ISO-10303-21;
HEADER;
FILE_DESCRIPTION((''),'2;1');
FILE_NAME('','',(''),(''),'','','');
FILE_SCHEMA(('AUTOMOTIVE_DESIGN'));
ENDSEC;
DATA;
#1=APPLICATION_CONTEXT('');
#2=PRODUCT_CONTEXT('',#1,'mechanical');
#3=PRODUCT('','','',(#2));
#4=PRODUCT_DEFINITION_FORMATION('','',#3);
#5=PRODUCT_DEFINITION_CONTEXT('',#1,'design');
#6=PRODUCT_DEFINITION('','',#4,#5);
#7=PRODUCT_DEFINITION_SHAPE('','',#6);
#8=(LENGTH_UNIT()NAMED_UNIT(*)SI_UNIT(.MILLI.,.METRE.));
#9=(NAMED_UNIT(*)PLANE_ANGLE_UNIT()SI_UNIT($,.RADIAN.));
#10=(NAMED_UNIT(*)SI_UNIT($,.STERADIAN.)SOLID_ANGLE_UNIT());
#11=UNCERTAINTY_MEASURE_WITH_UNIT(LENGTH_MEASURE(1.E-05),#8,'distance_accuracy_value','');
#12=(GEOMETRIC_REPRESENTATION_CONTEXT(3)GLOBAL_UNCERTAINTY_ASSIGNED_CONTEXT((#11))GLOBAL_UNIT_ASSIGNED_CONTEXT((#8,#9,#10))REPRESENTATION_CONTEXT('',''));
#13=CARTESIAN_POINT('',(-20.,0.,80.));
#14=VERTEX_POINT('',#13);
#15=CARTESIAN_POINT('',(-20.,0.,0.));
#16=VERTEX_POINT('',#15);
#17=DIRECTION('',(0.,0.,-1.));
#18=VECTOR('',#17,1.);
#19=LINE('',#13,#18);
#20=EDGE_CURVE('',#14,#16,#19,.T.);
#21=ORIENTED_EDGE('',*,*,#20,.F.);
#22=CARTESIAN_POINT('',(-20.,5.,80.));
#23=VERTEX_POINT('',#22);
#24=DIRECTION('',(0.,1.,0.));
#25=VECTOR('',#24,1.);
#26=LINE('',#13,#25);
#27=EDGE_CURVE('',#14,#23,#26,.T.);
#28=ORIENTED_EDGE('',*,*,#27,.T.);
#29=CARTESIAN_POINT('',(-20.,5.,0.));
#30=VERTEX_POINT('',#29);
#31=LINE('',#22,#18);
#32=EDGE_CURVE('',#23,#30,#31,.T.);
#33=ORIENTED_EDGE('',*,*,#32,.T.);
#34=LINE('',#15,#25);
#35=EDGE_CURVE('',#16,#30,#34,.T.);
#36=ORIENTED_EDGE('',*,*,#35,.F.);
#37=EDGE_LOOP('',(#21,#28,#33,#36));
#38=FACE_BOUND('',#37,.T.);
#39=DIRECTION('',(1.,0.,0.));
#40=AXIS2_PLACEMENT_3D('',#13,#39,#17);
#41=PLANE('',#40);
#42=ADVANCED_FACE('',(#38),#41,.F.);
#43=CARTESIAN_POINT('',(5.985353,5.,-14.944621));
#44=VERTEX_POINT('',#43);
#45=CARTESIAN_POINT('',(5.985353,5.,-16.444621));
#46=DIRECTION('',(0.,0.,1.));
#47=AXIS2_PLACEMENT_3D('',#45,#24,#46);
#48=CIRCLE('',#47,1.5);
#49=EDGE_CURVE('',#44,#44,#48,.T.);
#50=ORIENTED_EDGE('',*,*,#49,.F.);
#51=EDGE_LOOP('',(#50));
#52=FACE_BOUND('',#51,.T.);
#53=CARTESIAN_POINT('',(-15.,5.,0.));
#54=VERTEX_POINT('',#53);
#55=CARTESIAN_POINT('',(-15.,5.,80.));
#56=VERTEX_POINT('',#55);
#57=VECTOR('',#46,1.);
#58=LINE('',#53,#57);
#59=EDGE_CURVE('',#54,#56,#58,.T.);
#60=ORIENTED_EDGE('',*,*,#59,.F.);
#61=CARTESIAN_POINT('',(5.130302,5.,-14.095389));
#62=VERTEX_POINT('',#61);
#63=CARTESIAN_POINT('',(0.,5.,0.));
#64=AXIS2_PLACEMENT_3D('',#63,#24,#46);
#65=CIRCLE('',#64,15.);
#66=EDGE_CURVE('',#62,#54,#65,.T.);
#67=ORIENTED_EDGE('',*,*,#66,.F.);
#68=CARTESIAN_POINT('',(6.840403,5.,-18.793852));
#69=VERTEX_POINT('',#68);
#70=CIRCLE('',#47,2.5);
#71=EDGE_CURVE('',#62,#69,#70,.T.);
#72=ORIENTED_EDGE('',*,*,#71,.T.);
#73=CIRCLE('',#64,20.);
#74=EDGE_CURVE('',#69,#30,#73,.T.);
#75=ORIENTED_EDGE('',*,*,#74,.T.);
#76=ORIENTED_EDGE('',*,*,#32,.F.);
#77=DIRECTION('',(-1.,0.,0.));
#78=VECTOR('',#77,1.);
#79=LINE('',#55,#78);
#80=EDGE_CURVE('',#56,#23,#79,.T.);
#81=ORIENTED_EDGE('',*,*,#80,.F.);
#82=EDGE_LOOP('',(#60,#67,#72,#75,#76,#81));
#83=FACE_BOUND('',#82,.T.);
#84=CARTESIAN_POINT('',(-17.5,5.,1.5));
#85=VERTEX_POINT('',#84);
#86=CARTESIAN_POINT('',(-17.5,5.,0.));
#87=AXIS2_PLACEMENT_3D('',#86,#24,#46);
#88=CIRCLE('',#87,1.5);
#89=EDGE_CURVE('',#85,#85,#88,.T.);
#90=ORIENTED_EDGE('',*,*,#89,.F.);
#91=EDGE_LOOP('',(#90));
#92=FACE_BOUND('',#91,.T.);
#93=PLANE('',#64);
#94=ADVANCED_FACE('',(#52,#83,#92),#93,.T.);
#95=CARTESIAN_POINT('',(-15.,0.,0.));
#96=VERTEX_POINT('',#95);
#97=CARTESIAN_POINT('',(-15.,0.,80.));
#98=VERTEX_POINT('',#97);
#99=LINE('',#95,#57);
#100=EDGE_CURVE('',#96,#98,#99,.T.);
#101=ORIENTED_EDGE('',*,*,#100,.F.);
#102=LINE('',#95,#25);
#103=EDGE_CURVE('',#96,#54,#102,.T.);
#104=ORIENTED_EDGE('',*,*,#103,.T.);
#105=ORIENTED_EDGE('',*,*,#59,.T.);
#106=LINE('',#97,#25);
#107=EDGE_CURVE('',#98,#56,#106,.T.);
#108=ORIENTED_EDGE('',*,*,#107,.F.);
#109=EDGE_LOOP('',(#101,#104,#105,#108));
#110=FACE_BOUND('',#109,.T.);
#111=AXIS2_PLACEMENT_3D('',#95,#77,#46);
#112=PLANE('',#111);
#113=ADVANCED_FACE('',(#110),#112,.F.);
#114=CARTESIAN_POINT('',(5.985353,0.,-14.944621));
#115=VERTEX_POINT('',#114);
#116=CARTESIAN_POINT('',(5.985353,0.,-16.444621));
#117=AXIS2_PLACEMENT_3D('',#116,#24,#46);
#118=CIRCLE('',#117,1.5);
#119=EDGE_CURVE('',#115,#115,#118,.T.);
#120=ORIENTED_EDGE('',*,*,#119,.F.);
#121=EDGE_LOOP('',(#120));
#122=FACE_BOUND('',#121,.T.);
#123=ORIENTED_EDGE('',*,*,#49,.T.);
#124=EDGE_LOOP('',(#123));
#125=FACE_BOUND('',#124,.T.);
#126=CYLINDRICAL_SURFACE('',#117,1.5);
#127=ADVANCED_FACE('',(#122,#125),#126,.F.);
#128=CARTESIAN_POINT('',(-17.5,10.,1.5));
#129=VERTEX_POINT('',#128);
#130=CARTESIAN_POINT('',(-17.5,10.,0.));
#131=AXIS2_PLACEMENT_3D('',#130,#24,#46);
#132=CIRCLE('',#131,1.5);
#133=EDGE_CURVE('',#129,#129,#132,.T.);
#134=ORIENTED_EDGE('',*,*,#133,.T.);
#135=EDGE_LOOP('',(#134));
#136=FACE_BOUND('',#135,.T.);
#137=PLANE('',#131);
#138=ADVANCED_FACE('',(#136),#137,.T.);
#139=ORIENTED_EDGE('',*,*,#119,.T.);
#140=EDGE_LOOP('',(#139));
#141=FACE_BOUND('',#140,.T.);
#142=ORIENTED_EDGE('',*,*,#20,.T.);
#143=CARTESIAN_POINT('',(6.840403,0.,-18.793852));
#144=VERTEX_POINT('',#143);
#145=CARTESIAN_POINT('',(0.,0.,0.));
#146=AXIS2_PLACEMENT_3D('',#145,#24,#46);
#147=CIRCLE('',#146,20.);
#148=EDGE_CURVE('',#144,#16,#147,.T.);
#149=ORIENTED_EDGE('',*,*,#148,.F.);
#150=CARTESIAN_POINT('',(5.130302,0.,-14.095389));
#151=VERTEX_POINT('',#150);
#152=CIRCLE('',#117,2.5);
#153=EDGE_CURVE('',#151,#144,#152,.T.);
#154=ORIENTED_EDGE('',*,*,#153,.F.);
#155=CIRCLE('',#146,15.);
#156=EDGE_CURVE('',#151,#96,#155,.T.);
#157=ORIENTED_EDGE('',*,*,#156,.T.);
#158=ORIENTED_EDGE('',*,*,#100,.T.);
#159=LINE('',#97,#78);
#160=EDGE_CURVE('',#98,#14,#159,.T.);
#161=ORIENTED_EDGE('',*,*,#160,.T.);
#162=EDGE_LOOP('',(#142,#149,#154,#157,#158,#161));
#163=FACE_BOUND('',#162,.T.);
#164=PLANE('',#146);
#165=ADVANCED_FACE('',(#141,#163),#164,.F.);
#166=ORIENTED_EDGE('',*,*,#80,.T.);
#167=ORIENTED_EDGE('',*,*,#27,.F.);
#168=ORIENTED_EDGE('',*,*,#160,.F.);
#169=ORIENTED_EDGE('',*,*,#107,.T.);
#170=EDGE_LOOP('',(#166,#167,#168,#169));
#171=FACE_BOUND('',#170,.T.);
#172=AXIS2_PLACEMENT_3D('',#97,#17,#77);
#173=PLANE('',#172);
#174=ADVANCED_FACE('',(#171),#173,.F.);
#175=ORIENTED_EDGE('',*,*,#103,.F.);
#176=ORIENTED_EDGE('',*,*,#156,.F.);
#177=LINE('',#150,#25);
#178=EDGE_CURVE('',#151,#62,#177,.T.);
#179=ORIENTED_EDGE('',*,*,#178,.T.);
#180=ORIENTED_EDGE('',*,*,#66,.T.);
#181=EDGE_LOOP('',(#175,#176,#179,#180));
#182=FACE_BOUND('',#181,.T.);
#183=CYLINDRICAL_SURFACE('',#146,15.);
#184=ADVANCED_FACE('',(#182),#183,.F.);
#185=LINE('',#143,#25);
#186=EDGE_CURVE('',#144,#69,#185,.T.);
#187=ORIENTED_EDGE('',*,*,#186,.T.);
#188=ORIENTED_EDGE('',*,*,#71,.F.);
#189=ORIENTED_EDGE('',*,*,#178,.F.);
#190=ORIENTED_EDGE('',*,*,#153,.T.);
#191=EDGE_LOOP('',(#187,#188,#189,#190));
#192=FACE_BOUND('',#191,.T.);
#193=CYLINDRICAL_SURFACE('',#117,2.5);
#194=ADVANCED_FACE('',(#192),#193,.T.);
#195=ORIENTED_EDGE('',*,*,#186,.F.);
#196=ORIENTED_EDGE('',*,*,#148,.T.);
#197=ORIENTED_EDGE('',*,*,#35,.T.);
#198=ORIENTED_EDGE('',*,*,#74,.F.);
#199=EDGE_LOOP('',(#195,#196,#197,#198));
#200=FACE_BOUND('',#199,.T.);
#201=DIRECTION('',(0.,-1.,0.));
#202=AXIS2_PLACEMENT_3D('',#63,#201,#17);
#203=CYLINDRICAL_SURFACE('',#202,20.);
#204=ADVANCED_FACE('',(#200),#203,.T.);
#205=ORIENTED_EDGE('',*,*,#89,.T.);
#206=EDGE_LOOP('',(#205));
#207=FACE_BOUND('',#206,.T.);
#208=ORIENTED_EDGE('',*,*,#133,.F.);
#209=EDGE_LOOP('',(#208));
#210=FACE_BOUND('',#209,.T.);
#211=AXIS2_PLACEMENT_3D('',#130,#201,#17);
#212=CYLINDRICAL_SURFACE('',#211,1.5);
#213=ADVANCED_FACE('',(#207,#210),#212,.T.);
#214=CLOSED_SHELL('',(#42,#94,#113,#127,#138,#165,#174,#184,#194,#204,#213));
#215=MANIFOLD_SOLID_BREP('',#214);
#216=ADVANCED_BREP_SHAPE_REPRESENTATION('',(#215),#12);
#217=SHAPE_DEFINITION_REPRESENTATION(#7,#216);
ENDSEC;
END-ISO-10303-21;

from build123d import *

# Parameters (mm, degrees)
SKETCH1_R           = 20
BOSS_EXTRUDE1_DEPTH = 5
SKETCH2_R           = 15
CUT_EXTRUDE1_DEPTH  = 5
CUT_EXTRUDE3_START  = -5
CUT_EXTRUDE3_DEPTH  = 5
SKETCH7_W           = 5
SKETCH7_H           = 80
BOSS_EXTRUDE2_DEPTH = 5
BOSS_EXTRUDE3_DEPTH = 5
SKETCH10_R          = 1.5
CUT_EXTRUDE4_DEPTH  = 5
SKETCH11_R          = 1.5
BOSS_EXTRUDE4_DEPTH = 5


with BuildPart() as part:
    # Sketch1 → Boss-Extrude1 (new body)
    with BuildSketch(Plane(origin=(0, 0, 0), x_dir=(1, 0, 0), z_dir=(0, 1, 0))):
        with Locations(Location((0, 0, 0), (0, 0, 270))):
            Circle(SKETCH1_R)
    extrude(amount=BOSS_EXTRUDE1_DEPTH)

    # Sketch2 → Cut-Extrude1 (cut)
    with BuildSketch(Plane(origin=(0, 5, 0), x_dir=(1, 0, 0), z_dir=(0, 1, 0))):
        with Locations(Location((0, 0, 0), (0, 0, 270))):
            Circle(SKETCH2_R)
    extrude(amount=-CUT_EXTRUDE1_DEPTH, mode=Mode.SUBTRACT)

    # Sketch3 → Cut-Extrude3 (cut)
    with BuildSketch(Plane(origin=(0, 5, 0), x_dir=(1, 0, 0), z_dir=(0, 1, 0)).offset(CUT_EXTRUDE3_START)):
        with BuildLine():
            Line((6.840402867, 18.793852416), (0, 0))
            Line((0, 0), (-20, 0))
            ThreePointArc((-20, 0), (11.471528727, -16.383040886), (6.840402867, 18.793852416))
        make_face()
    extrude(amount=CUT_EXTRUDE3_DEPTH, mode=Mode.SUBTRACT)

    # Sketch7 → Boss-Extrude2 (add)
    with BuildSketch(Plane(origin=(0, 5, 0), x_dir=(1, 0, 0), z_dir=(0, 1, 0))):
        with Locations((-17.5, -40)):
            Rectangle(SKETCH7_W, SKETCH7_H)
    extrude(amount=-BOSS_EXTRUDE2_DEPTH)

    # Sketch9 → Boss-Extrude3 (add)
    with BuildSketch(Plane(origin=(0, 5, 0), x_dir=(1, 0, 0), z_dir=(0, 1, 0))):
        with BuildLine():
            Line((6.840402867, 18.793852416), (5.13030215, 14.095389312))
            ThreePointArc((5.13030215, 14.095389312), (8.33458406, 15.589570505), (6.840402867, 18.793852416))
        make_face()
    extrude(amount=-BOSS_EXTRUDE3_DEPTH)

    # Sketch10 → Cut-Extrude4 (cut)
    with BuildSketch(Plane(origin=(0, 5, 0), x_dir=(1, 0, 0), z_dir=(0, 1, 0))):
        with Locations(Location((5.985352508, 16.444620864, 0), (0, 0, 270))):
            Circle(SKETCH10_R)
    extrude(amount=-CUT_EXTRUDE4_DEPTH, mode=Mode.SUBTRACT)

    # Sketch11 → Boss-Extrude4 (add)
    with BuildSketch(Plane(origin=(0, 5, 0), x_dir=(1, 0, 0), z_dir=(0, 1, 0))):
        with Locations(Location((-17.5, 0, 0), (0, 0, 270))):
            Circle(SKETCH11_R)
    extrude(amount=BOSS_EXTRUDE4_DEPTH)


solid = part.part
